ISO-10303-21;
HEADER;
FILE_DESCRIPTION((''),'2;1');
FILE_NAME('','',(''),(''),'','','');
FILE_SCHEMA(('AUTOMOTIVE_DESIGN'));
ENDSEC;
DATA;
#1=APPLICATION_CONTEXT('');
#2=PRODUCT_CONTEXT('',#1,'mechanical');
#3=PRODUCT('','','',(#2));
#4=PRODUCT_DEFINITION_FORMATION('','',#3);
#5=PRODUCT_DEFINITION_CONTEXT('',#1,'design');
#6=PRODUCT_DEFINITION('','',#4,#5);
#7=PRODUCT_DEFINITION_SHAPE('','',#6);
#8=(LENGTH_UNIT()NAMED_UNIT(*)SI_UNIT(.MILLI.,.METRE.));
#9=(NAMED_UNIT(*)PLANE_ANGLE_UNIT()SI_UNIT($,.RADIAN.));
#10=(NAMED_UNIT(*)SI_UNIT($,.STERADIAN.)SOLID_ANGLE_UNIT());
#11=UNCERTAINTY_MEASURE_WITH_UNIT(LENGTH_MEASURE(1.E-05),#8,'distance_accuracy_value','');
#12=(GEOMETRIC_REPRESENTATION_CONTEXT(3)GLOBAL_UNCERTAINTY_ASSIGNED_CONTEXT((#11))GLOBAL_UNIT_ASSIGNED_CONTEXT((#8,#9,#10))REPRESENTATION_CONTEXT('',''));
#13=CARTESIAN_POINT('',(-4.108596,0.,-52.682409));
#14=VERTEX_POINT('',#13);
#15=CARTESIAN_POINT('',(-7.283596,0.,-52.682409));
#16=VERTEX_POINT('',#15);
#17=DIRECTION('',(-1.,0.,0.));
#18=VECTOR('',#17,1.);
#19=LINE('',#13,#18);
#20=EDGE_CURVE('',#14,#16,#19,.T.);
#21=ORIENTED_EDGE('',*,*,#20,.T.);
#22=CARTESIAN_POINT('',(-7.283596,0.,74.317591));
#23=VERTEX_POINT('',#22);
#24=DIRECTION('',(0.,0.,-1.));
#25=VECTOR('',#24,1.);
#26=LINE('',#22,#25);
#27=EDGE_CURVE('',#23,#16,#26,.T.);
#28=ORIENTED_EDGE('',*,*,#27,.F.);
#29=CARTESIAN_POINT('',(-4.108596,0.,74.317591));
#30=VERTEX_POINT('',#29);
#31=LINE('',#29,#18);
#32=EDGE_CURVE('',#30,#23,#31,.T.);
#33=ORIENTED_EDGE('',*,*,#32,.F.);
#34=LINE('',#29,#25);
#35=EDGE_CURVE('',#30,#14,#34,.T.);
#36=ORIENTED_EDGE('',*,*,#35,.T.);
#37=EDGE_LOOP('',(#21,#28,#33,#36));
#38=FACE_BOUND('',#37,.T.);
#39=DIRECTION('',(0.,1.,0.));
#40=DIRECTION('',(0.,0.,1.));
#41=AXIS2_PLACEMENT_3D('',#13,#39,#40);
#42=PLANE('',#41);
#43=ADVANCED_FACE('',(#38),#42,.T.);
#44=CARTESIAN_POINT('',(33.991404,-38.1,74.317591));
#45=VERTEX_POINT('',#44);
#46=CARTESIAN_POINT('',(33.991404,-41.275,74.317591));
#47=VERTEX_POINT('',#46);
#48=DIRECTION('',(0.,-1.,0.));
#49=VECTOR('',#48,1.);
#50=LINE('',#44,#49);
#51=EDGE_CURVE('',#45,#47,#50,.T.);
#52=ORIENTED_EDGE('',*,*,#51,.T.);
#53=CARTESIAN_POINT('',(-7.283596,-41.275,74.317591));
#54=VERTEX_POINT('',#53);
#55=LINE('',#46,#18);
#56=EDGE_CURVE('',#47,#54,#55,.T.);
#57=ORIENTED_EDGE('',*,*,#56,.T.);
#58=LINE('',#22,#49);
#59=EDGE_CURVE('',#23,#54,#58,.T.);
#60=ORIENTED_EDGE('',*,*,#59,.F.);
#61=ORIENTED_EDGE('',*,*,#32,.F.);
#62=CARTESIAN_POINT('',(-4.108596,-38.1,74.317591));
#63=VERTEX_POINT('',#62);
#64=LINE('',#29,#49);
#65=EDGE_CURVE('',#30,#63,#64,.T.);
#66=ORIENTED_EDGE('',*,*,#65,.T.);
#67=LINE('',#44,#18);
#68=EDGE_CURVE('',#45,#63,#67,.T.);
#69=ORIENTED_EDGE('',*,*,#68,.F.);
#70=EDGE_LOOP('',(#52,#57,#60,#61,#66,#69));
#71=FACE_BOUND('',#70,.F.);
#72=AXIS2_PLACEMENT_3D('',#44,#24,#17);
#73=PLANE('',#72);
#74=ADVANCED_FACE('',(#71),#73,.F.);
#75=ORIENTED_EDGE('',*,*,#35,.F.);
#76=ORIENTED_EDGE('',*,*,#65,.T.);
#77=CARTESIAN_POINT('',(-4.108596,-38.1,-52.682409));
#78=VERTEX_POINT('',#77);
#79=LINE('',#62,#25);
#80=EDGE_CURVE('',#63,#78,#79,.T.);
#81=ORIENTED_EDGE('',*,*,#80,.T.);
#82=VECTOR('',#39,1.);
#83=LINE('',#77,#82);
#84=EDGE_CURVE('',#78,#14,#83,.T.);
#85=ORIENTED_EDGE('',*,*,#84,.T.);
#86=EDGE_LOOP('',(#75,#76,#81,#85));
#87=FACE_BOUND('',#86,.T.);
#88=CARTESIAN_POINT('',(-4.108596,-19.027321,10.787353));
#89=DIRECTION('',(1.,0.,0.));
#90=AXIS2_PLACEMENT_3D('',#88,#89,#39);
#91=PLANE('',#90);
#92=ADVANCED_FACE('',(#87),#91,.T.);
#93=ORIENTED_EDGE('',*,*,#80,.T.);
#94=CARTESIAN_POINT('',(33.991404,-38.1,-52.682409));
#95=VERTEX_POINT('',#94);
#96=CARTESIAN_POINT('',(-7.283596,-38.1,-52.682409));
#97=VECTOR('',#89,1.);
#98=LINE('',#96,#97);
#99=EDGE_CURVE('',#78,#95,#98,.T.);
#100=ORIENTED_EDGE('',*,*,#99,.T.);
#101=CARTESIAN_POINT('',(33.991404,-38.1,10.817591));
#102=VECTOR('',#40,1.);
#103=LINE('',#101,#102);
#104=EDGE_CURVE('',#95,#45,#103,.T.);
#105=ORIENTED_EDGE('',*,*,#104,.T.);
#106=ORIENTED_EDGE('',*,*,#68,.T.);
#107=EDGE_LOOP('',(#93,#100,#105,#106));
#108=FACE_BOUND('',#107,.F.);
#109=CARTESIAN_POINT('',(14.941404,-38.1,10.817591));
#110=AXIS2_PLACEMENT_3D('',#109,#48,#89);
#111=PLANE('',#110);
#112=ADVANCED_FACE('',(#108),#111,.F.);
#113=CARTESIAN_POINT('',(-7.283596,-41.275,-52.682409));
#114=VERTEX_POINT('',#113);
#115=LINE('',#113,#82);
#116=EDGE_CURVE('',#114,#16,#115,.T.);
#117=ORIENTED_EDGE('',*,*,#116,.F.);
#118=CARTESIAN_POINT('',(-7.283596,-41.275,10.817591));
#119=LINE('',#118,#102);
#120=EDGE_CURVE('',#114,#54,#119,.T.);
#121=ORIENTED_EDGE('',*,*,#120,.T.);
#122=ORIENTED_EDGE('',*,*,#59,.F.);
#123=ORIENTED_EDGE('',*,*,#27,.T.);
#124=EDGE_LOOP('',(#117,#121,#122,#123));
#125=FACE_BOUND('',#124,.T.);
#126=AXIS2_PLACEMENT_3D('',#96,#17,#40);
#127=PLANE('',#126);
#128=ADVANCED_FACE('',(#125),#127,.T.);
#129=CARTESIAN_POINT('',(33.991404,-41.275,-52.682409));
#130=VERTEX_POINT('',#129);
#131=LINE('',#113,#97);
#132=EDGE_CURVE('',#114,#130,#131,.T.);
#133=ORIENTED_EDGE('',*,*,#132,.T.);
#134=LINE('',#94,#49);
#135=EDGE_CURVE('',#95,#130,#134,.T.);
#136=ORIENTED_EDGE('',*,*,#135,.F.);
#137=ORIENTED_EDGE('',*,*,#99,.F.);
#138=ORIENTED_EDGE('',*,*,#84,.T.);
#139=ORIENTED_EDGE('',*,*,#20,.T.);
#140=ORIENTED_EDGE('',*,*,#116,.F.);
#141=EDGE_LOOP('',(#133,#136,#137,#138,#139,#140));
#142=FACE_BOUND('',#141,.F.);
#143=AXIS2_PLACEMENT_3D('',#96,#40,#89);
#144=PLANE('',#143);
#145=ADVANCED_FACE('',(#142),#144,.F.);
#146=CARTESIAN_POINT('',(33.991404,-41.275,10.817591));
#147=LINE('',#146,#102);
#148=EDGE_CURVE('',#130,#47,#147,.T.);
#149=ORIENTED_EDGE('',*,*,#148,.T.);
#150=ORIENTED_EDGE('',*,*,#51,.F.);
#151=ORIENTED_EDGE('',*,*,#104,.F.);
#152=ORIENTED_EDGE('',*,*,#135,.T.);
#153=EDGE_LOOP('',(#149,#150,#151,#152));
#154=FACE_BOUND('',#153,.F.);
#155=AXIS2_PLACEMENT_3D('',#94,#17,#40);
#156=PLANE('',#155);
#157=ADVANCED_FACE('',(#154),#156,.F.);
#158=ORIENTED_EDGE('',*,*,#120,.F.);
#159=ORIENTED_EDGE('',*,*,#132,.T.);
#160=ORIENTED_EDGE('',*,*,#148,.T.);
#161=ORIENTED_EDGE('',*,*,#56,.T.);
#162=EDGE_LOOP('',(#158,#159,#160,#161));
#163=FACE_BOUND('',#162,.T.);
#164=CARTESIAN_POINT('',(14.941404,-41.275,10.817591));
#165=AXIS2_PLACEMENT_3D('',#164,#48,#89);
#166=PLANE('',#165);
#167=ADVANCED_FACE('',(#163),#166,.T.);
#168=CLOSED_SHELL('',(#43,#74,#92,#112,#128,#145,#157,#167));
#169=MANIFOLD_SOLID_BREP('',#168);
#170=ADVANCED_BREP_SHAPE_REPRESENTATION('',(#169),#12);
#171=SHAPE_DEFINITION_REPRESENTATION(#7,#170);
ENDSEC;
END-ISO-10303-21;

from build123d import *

# Parameters (mm, degrees)
F0_W     = 28.575
F0_H     = 31.75
F1_DEPTH = 1.5875
F3_DEPTH = 3.175
F4_W     = 38.1
F4_H     = 127
F4_W_2   = 3.175
F5_DEPTH = 3.175
F6_R     = 4
F6_R_2   = 1.85
F7_DEPTH = 25.4
F8_W     = 1.5875
F8_H     = 31.75
F9_DEPTH = 25.4


with BuildPart() as f1:
    # F0 (on Front) → F1 (new body)
    with BuildSketch(Plane.XZ):
        with Locations((-18.3960961165, 7.6425911009)):
            Rectangle(F0_W, F0_H)
    extrude(amount=F1_DEPTH)

    # F2 (on face) → F3 (join)
    with BuildSketch(Plane.YZ.offset(-4.1085961165)):
        Polygon((-38.1, -52.6824088991), (0, -52.6824088991), (0, -8.2324088991), (-1.5875, -8.2324088991), (-1.5875, 23.5175911009), (0, 23.5175911009), (0, 74.3175911009), (-38.1, 74.3175911009), align=None)
    extrude(amount=-F3_DEPTH)

    # F4 (on face) → F5 (join)
    with BuildSketch(Plane.XZ.offset(38.1)):
        with Locations((14.9414038835, 10.8175911009)):
            Rectangle(F4_W, F4_H)
        with Locations((-5.6960961165, 10.8175911009)):
            Rectangle(F4_W_2, F4_H)
    extrude(amount=F5_DEPTH)

    # F6 (on face) → F7 (cut)
    with BuildSketch(Plane.XZ.offset(1.5875)):
        with Locations((-16.6835961165, 7.6425911009)):
            Circle(F6_R)
        with Locations((-22.340450366, 13.2994453504)):
            Circle(F6_R_2)
        with Locations((-16.6835961165, 15.6425911009)):
            Circle(F6_R_2)
        with Locations((-11.026741867, 13.2994453504)):
            Circle(F6_R_2)
        with Locations((-11.026741867, 1.9857368514)):
            Circle(F6_R_2)
        with Locations((-16.6835961165, -0.3574088991)):
            Circle(F6_R_2)
        with Locations((-22.340450366, 1.9857368514)):
            Circle(F6_R_2)
        with Locations((-24.6835961165, 7.6425911009)):
            Circle(F6_R_2)
    extrude(amount=-F7_DEPTH, mode=Mode.SUBTRACT)

    # F8 (on face) → F9 (cut)
    with BuildSketch(Plane(origin=(-32.6835961165, 0, 0), x_dir=(0, -1, 0), z_dir=(-1, 0, 0))):
        with Locations((0.79375, 7.6425911009)):
            Rectangle(F8_W, F8_H)
    extrude(amount=-F9_DEPTH, mode=Mode.SUBTRACT)


solid = f1.part
